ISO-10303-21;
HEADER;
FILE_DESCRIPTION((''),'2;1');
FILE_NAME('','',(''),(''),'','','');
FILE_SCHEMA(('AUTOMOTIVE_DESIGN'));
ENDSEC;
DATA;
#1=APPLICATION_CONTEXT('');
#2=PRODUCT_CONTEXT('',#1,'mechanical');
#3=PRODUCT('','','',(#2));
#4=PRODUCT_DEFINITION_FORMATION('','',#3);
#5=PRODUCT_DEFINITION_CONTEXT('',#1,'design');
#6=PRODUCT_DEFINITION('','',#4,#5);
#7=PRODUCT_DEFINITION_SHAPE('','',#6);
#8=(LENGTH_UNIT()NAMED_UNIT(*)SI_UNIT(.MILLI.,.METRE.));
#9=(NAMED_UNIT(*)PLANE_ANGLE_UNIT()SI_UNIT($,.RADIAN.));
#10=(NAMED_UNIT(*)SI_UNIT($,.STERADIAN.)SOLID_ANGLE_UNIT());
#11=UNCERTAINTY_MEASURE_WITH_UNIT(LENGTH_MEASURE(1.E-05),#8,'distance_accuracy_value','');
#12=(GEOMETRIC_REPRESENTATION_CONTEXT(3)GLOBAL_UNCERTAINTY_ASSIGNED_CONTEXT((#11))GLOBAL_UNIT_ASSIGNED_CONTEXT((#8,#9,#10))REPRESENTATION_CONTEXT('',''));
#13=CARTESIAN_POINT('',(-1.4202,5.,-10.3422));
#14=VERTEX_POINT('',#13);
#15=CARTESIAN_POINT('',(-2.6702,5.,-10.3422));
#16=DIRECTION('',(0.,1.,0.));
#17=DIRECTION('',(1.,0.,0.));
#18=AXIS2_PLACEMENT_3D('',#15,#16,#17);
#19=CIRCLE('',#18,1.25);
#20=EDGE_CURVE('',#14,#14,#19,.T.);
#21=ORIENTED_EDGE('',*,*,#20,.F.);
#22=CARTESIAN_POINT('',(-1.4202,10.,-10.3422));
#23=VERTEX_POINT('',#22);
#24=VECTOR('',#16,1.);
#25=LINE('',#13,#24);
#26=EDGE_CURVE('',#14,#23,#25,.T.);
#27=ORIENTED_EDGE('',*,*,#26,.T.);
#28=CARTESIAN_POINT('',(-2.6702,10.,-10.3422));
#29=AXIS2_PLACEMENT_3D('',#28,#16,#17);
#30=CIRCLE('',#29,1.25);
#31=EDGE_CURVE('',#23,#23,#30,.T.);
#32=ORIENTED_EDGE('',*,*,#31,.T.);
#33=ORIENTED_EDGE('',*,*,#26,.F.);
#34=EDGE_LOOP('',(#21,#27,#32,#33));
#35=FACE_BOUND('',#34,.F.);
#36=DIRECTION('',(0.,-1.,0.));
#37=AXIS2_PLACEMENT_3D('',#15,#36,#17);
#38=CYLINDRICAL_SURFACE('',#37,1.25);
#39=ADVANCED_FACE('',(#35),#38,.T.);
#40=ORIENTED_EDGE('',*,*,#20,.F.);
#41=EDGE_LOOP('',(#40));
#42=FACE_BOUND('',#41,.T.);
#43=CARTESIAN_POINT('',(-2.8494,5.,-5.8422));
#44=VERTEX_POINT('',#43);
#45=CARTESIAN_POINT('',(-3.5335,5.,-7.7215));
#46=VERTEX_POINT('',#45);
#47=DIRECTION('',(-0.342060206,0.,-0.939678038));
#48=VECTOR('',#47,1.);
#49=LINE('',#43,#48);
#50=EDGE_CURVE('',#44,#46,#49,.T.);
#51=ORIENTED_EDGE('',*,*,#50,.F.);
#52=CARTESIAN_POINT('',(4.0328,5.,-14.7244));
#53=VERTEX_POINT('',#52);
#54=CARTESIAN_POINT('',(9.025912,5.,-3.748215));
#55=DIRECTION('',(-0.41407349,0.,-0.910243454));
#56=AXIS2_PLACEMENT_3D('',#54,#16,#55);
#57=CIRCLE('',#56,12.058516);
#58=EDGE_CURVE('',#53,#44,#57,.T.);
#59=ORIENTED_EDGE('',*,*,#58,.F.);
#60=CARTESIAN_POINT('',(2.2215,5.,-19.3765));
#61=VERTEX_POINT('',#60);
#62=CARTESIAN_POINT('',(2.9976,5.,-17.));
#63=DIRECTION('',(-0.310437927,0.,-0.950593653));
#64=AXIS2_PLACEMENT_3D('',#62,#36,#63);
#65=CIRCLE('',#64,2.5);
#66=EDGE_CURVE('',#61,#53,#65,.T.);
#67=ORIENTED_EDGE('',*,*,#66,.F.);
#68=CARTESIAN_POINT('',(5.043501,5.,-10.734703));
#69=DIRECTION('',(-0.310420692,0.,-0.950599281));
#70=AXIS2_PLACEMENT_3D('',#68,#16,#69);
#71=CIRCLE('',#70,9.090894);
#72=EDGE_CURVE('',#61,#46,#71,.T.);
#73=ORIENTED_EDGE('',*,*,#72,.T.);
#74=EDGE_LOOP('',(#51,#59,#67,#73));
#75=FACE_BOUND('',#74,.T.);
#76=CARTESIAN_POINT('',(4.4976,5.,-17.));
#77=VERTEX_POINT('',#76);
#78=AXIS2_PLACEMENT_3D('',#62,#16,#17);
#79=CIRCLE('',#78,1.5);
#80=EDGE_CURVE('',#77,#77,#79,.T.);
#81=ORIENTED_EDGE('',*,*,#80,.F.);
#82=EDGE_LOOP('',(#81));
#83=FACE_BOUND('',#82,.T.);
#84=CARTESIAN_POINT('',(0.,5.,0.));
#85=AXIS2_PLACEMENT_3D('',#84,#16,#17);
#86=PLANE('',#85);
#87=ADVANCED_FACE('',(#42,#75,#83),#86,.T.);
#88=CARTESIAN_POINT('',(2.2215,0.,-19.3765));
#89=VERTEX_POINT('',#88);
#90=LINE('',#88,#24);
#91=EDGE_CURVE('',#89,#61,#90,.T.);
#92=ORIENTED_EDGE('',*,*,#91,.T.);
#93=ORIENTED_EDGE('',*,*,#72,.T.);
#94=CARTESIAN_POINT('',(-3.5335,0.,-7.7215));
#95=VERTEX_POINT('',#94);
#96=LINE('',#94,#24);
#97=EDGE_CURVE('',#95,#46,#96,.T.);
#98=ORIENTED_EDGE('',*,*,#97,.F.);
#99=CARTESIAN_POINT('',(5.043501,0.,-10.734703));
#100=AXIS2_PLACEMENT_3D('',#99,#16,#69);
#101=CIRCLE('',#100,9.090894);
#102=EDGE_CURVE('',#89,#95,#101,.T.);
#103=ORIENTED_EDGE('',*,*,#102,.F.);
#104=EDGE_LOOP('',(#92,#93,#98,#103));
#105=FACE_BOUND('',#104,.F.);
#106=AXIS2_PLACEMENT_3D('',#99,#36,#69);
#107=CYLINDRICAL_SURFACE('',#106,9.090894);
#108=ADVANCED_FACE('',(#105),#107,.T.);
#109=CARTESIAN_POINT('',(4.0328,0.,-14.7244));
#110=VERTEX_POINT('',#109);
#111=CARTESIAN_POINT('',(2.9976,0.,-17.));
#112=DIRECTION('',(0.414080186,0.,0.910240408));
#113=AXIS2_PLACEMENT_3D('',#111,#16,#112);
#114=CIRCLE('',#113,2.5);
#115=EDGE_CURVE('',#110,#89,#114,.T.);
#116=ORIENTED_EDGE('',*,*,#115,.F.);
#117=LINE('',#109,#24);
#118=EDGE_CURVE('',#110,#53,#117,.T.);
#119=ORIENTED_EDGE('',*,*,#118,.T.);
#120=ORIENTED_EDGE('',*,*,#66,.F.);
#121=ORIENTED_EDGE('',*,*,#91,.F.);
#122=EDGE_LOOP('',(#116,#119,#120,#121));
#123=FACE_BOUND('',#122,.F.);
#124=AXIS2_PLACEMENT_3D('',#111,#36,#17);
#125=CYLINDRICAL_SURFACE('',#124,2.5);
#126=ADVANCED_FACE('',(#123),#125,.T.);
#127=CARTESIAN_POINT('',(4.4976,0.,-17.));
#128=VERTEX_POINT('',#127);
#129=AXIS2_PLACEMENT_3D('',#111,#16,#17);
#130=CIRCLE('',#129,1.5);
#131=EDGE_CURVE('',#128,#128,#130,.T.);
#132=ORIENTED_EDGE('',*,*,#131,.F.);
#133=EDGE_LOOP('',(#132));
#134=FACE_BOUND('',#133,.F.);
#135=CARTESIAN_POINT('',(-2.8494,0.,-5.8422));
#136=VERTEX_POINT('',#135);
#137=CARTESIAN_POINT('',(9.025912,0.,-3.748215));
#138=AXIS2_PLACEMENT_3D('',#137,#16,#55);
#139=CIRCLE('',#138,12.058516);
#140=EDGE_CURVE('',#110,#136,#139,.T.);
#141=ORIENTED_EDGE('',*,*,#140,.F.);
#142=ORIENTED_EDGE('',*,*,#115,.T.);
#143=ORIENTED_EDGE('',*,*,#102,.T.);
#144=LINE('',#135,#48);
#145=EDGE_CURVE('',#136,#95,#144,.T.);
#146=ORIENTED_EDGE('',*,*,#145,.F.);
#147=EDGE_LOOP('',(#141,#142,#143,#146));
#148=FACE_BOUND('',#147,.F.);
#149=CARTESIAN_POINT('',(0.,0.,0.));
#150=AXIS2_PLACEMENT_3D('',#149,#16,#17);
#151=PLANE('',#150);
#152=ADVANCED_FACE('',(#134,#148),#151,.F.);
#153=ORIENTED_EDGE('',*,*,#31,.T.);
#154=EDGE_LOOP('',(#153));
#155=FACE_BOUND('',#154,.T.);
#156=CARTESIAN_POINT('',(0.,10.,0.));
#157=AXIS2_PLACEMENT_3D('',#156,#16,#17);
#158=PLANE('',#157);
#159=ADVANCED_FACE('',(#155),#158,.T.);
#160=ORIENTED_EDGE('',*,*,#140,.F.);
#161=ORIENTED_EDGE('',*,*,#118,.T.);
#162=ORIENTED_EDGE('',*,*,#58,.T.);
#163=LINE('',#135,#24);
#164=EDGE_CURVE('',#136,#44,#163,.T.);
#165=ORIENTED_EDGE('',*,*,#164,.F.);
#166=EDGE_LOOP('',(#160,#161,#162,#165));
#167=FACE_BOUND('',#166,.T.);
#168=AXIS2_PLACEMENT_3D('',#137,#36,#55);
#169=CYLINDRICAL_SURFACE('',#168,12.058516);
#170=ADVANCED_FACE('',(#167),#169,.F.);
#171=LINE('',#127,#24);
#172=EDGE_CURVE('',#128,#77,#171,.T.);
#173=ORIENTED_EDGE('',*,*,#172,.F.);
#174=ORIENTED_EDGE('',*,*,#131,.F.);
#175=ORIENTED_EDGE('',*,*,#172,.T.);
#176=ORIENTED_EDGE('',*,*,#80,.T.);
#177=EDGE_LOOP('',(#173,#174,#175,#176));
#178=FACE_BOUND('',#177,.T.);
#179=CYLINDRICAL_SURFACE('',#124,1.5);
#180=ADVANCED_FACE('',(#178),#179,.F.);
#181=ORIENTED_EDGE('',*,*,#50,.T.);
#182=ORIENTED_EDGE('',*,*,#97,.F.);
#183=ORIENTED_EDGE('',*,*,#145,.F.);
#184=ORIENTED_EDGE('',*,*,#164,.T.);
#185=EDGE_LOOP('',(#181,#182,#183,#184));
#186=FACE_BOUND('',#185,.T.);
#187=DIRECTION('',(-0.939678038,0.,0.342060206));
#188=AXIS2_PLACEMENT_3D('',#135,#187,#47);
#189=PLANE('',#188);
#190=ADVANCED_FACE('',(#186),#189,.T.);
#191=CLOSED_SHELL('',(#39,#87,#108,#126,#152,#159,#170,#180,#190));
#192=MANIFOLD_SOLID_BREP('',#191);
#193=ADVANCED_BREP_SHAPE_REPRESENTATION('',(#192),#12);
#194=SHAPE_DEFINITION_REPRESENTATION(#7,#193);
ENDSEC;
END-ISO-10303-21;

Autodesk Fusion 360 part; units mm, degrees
sketch "ratchet scketch & pawl" plane through (0, 0, 0) normal (0, 1, 0) x (1, 0, 0)
  circle A0 centre (0, 0) radius 7.75 construction
  circle A1 centre (0, 0) radius 6.5 construction
  line L0 (0, 0) -> (1.3458, 7.6323) construction
  line L1 (0, 0) -> (-2.8494, 5.8422) construction
  arc A2 (1.3458, 7.6323) -> (-2.8494, 5.8422) centre (0.5379, 3.7147) ccw construction
  line L2 (0, 0) -> (6.5, 0) construction
  line L3 (0, 0) -> (4.4082, 25) construction
  circle A3 centre (2.9976, 17) radius 1.5
  circle A4 centre (2.9976, 17) radius 2.5
  line L4 (-2.8494, 5.8422) -> (-0.2045, 20.8422) construction
  line L5 (-2.8494, 5.8422) -> (-3.5335, 7.7215)
  arc A5 (4.0328, 14.7244) -> (-2.8494, 5.8422) centre (9.0259, 3.7482) ccw
  arc A6 (2.2215, 19.3765) -> (-3.5335, 7.7215) centre (5.0435, 10.7347) ccw
  circle A7 centre (-2.6702, 10.3422) radius 1.25
  dimension "d28" = 13
  dimension "d29" = 15.5
  dimension "d30" = 80
  dimension "d31" = 36
  dimension "d32" = 4
  dimension "d33" = 25
  dimension "d34" = 3
  dimension "d35" = 5
  dimension "d36" = 15
  dimension "d37" = 2
  dimension "d40" = 30
  dimension "d43" = 9.0909
  dimension "d44" = 17
  dimension "d45" = 2.5
  dimension "d46" = 4.5
  dimension "d47" = 7.7237
extrude "Extrude1" add sketch "ratchet scketch & pawl" along normal blind 5 contours A4 | A4 L5 A5 A6 | A7 makes body 1
move_body "Move1" bodies 1 to x (0, 0, 1) y (0, 1, 0) z (-1, 0, 0) at (-3.7668, 0, 14.8212)
extrude "Extrude2" add sketch "ratchet scketch & pawl" along normal blind 5 separate body contours A4 | A4 L5 A5 A6 | A7 makes body 2
extrude "Extrude3" add sketch "ratchet scketch & pawl" along normal blind 5 from surface at 5 contours A7 bodies 2
delete_body "RemoveBody1" bodies 1
equation "d29 = ( 7.75 * 2 ) * 1 mm"
